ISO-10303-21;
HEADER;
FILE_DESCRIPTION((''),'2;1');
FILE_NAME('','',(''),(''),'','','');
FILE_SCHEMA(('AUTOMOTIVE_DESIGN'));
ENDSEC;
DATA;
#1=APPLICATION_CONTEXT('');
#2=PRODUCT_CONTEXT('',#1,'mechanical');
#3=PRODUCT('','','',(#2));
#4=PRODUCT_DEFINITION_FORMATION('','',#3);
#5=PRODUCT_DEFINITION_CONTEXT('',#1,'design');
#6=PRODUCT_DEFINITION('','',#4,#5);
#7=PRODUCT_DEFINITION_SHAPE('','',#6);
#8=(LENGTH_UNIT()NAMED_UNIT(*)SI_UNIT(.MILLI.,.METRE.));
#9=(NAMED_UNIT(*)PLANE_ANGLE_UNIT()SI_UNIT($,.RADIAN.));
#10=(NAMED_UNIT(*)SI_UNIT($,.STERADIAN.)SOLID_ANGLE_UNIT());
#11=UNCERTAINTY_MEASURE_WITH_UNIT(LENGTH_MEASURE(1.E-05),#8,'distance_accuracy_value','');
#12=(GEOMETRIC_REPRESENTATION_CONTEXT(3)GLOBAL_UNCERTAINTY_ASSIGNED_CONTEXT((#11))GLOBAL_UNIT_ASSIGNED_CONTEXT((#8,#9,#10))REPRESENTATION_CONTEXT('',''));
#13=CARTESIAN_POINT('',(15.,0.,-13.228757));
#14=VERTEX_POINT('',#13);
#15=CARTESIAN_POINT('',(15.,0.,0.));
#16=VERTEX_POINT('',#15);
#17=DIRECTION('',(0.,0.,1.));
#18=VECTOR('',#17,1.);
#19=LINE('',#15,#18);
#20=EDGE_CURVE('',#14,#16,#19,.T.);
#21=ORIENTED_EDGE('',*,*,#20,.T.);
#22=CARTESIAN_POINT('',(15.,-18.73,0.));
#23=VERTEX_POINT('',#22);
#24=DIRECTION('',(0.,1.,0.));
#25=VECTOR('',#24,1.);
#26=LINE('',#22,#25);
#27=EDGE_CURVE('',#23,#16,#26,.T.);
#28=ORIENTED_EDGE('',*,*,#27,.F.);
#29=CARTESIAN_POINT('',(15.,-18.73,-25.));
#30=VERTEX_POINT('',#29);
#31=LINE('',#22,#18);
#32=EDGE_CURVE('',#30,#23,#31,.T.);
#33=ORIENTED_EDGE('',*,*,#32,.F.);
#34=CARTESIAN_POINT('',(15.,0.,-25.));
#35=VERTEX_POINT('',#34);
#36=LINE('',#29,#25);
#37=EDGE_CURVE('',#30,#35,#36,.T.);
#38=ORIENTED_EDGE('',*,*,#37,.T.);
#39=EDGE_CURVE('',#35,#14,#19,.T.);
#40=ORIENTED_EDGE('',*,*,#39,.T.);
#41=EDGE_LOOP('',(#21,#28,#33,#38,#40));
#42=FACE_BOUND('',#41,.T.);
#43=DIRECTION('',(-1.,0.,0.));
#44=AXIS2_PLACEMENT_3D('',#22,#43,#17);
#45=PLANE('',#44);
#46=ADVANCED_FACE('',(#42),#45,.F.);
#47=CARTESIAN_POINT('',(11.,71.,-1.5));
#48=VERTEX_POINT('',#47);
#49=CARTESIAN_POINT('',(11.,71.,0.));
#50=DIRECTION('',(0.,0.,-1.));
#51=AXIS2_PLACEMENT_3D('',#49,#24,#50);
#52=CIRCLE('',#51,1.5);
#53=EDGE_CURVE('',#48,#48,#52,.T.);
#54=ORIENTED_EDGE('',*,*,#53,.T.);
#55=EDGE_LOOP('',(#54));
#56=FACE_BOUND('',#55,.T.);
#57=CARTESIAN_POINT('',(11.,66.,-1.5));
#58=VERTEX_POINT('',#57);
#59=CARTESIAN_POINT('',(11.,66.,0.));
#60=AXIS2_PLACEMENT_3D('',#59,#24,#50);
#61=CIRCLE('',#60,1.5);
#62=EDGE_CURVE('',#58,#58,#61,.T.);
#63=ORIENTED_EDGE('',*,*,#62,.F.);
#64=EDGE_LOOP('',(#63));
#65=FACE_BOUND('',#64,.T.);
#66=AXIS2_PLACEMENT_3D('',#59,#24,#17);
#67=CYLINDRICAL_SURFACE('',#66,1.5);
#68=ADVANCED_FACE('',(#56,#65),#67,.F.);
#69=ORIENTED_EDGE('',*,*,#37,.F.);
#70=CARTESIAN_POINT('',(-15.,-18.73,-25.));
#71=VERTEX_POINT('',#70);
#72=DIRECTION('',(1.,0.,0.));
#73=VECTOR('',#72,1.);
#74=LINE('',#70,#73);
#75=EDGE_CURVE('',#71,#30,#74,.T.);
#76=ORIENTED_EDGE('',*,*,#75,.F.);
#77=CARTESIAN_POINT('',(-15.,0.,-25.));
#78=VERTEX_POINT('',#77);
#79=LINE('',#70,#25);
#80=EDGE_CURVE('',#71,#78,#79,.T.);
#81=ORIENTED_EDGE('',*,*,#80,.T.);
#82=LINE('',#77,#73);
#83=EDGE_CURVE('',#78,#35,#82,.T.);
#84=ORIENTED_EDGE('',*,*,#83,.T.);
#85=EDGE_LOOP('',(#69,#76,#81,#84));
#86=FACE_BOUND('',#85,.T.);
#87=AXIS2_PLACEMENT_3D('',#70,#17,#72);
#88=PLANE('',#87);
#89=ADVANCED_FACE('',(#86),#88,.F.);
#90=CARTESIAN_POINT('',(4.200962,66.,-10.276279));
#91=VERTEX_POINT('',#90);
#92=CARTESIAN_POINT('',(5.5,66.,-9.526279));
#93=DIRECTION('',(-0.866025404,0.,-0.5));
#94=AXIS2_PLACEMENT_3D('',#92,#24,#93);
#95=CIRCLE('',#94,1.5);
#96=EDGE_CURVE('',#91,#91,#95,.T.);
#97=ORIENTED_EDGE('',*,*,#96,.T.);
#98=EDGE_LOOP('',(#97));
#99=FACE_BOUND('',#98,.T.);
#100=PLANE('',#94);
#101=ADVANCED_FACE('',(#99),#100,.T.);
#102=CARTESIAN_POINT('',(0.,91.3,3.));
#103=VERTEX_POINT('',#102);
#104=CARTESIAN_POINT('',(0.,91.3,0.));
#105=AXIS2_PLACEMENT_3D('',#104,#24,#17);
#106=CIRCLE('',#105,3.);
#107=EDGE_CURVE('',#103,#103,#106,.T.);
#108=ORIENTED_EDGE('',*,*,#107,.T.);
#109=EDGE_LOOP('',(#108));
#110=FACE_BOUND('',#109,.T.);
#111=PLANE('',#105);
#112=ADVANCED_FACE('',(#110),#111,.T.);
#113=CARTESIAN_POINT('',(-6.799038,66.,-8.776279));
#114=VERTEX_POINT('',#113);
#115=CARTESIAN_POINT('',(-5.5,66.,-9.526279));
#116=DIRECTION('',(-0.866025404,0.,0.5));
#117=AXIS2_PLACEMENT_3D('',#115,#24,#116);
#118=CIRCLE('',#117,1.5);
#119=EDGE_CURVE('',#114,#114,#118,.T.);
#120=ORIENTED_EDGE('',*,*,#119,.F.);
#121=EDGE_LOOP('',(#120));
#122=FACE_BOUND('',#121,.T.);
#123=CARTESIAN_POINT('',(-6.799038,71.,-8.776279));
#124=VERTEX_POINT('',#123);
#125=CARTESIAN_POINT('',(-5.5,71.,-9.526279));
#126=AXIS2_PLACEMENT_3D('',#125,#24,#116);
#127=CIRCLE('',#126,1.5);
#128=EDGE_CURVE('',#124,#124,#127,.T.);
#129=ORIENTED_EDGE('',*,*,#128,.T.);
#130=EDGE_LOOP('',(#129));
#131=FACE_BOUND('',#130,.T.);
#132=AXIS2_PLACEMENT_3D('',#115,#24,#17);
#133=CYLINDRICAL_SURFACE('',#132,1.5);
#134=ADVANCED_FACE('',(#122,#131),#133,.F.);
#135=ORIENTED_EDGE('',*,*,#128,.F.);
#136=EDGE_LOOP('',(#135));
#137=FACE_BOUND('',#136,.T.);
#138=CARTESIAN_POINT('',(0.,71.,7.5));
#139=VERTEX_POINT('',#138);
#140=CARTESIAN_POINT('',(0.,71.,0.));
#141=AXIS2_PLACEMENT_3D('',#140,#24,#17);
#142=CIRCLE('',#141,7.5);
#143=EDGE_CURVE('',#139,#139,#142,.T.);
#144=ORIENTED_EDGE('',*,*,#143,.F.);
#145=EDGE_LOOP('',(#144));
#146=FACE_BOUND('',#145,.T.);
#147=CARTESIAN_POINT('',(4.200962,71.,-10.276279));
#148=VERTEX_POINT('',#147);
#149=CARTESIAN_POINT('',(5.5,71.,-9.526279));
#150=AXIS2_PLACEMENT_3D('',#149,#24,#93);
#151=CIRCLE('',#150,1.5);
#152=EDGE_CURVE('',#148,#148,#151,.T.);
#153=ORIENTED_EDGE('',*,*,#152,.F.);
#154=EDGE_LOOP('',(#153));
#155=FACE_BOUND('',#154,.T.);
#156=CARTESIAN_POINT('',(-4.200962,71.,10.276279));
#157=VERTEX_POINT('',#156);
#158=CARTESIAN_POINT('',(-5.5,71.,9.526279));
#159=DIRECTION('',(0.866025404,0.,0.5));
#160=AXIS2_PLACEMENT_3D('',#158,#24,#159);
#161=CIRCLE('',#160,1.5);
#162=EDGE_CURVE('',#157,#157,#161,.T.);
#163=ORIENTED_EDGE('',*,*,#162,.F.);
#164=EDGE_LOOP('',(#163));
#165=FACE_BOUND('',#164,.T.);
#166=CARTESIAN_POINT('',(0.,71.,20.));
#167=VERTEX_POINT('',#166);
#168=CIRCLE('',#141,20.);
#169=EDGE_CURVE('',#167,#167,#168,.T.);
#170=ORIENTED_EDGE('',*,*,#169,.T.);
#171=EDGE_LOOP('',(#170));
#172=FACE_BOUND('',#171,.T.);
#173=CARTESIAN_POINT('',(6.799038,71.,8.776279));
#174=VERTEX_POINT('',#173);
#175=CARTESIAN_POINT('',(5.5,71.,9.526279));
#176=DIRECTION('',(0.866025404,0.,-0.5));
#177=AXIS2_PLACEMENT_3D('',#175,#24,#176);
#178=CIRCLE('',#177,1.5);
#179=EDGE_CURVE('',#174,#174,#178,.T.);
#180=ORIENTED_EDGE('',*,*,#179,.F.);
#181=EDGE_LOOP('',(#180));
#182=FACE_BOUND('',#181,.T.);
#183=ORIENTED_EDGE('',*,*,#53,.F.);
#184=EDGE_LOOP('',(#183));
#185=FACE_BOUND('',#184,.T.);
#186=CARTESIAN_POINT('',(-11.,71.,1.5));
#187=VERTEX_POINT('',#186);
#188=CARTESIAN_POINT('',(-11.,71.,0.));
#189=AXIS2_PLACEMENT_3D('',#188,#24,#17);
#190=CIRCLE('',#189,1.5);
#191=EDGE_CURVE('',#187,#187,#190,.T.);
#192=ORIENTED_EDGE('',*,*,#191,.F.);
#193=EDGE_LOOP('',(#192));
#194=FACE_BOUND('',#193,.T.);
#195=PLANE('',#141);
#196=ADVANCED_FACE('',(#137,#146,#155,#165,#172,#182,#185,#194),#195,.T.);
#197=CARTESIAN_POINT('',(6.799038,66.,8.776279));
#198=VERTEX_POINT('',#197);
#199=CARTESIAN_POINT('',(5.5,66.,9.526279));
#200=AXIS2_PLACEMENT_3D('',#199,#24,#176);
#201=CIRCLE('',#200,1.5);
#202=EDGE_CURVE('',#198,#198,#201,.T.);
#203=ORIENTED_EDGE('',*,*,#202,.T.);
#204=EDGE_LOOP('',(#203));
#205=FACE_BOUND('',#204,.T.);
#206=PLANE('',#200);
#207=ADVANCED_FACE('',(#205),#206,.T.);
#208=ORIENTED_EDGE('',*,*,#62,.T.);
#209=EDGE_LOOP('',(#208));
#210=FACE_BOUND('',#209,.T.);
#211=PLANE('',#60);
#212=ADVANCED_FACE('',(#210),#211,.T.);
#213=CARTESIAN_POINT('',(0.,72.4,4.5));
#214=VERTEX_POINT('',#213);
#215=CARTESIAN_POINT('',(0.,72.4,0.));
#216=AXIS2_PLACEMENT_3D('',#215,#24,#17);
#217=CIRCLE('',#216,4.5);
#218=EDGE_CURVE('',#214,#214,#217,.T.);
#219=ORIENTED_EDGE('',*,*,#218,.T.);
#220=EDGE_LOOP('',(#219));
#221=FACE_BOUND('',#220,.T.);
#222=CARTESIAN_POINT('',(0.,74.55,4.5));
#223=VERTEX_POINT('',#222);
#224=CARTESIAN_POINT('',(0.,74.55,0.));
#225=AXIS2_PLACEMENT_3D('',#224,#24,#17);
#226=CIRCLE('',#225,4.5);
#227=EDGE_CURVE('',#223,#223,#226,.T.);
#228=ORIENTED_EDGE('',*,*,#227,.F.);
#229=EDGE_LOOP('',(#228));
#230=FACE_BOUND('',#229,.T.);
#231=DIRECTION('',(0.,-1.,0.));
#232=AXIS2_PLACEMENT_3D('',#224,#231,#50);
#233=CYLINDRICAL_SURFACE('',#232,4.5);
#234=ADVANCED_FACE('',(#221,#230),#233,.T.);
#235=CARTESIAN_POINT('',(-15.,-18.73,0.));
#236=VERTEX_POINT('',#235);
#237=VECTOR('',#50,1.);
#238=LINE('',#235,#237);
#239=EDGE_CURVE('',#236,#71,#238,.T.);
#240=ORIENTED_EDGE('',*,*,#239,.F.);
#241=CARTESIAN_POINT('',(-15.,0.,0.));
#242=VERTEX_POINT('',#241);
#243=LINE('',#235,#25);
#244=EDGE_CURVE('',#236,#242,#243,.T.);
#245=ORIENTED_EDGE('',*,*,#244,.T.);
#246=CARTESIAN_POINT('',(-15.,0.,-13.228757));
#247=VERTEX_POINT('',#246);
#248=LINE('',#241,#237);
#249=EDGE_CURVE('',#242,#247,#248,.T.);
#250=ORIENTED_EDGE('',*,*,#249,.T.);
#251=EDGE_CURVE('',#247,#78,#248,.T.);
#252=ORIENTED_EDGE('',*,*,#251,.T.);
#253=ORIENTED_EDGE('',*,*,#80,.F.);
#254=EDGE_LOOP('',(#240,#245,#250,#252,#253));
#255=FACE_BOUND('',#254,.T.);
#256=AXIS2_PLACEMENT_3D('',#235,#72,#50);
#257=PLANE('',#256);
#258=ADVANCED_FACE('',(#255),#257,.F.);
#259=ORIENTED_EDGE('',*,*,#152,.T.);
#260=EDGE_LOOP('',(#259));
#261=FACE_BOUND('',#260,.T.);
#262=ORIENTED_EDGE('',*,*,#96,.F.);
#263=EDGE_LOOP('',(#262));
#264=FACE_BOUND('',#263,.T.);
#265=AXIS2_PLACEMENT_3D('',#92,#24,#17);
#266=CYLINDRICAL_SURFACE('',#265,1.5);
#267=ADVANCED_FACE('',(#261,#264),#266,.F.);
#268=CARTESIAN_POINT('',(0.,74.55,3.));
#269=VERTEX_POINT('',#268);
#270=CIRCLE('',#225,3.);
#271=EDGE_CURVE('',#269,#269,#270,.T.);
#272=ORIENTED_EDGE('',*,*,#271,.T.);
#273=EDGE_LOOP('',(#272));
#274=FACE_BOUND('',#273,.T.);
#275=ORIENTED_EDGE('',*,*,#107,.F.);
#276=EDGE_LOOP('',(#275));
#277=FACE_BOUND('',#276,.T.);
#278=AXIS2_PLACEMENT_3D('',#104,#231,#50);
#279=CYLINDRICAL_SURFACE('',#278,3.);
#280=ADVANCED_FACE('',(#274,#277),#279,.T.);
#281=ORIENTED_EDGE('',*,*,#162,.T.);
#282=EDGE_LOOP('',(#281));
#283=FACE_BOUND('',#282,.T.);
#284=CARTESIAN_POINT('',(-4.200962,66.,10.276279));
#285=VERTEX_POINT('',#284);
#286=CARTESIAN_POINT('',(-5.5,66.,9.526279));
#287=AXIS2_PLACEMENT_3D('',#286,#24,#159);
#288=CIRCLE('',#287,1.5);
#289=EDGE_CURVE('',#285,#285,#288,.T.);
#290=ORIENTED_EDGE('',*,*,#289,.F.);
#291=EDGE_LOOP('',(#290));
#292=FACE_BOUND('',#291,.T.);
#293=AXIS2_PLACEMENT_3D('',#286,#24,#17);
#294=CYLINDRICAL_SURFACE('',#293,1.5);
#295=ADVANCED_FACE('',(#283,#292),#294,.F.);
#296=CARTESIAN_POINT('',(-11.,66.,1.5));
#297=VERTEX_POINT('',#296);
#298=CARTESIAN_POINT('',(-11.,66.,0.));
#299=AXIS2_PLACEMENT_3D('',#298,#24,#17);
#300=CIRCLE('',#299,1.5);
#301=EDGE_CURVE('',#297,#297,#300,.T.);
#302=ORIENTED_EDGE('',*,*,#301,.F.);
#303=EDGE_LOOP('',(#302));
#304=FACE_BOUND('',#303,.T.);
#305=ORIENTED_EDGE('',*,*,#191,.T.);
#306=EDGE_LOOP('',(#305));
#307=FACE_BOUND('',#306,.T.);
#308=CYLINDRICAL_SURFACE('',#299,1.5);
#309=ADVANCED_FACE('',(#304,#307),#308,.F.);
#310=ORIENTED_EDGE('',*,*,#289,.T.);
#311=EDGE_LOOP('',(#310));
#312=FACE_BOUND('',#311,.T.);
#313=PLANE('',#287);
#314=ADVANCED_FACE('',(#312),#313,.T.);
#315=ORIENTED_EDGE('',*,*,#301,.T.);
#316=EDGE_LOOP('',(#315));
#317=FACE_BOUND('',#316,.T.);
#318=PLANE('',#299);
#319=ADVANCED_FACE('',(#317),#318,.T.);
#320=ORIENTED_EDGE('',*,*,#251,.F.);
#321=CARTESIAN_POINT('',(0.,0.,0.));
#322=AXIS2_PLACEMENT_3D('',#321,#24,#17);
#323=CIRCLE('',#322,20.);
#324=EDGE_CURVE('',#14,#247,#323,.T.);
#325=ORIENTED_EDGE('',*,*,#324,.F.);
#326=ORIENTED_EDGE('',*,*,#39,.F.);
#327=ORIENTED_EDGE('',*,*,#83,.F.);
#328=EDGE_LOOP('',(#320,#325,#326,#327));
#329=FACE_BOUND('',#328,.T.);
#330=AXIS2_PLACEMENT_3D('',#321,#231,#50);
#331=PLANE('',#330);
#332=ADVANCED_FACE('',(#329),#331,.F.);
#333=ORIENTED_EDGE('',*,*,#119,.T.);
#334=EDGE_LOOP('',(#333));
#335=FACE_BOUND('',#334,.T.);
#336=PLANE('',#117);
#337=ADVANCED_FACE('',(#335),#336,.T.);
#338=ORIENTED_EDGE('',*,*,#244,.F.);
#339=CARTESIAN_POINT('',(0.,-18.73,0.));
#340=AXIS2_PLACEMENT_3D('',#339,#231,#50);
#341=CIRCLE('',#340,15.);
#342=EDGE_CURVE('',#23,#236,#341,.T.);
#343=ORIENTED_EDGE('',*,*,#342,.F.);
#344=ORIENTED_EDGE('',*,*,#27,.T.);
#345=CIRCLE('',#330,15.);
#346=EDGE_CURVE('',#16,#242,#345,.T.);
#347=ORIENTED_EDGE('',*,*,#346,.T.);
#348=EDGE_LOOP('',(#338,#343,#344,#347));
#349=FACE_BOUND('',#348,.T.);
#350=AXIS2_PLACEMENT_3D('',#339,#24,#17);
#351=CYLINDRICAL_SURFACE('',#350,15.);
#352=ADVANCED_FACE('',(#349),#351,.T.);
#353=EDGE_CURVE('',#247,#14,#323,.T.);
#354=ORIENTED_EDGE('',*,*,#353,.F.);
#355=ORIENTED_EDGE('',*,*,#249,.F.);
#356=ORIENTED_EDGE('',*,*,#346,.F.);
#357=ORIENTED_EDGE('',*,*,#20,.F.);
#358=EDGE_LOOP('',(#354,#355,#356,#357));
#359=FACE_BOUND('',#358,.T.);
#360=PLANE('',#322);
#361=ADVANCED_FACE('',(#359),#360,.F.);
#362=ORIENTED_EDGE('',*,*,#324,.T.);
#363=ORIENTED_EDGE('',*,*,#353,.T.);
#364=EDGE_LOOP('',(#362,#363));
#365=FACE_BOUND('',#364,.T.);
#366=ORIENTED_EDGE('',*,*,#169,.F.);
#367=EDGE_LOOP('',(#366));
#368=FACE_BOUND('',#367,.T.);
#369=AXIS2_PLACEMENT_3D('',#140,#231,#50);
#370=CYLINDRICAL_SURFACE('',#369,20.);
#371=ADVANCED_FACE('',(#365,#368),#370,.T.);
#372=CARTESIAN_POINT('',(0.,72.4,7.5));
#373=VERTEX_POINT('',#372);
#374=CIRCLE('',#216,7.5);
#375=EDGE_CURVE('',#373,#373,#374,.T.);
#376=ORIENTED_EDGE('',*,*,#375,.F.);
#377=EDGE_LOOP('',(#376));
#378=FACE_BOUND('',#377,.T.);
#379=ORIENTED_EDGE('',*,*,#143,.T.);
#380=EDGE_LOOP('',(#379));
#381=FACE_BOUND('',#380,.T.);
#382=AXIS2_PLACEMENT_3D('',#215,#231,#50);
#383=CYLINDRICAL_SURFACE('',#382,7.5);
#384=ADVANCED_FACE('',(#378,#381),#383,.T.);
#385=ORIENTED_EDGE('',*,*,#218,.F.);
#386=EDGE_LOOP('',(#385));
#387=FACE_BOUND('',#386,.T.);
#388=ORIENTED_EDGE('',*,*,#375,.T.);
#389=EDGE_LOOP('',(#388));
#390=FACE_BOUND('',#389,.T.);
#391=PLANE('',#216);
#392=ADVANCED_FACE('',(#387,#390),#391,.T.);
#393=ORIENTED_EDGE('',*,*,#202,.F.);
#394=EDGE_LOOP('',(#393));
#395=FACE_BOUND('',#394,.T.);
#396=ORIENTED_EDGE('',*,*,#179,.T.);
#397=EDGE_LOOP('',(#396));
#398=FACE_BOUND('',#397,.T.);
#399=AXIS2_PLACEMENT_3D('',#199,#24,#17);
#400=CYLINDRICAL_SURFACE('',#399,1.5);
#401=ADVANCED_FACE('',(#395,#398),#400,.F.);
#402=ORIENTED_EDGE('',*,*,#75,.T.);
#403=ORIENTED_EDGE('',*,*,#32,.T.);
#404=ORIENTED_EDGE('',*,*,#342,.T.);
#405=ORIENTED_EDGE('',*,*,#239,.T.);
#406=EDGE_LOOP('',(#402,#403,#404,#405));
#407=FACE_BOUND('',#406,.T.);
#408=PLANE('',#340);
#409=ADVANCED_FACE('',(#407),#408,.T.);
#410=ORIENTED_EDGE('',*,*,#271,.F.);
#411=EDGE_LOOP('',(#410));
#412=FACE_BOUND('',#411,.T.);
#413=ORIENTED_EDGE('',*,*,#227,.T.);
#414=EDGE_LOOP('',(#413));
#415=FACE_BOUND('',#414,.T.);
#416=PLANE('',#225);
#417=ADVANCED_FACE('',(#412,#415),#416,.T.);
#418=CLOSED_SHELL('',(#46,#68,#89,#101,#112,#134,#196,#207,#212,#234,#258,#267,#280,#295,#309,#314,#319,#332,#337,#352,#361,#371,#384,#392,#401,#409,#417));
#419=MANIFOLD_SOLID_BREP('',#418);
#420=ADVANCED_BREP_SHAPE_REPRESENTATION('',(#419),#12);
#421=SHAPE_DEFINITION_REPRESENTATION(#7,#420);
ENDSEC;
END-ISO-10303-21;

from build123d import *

# Parameters (mm, degrees)
SKETCH1_R           = 20
BOSS_EXTRUDE1_DEPTH = 71
SKETCH2_R           = 7.5
BOSS_EXTRUDE2_DEPTH = 1.4
SKETCH3_R           = 4.5
BOSS_EXTRUDE3_DEPTH = 2.15
SKETCH4_R           = 3
BOSS_EXTRUDE4_DEPTH = 16.75
SKETCH5_R           = 1.5
CUT_EXTRUDE1_DEPTH  = 5
CIRPATTERN1_COUNT   = 6
BOSS_EXTRUDE5_DEPTH = 18.73


with BuildPart() as part:
    # Sketch1 → Boss-Extrude1 (new body)
    with BuildSketch(Plane(origin=(0, 0, 0), x_dir=(1, 0, 0), z_dir=(0, 1, 0))):
        Circle(SKETCH1_R)
    extrude(amount=BOSS_EXTRUDE1_DEPTH)

    # Sketch2 → Boss-Extrude2 (add)
    with BuildSketch(Plane(origin=(0, 71, 0), x_dir=(1, 0, 0), z_dir=(0, 1, 0))):
        Circle(SKETCH2_R)
    extrude(amount=BOSS_EXTRUDE2_DEPTH)

    # Sketch3 → Boss-Extrude3 (add)
    with BuildSketch(Plane(origin=(0, 72.4, 0), x_dir=(1, 0, 0), z_dir=(0, 1, 0))):
        Circle(SKETCH3_R)
    extrude(amount=BOSS_EXTRUDE3_DEPTH)

    # Sketch4 → Boss-Extrude4 (add)
    with BuildSketch(Plane(origin=(0, 74.55, 0), x_dir=(1, 0, 0), z_dir=(0, 1, 0))):
        Circle(SKETCH4_R)
    extrude(amount=BOSS_EXTRUDE4_DEPTH)

    # Sketch5 → Cut-Extrude1 (cut)
    with BuildSketch(Plane(origin=(0, 71, 0), x_dir=(1, 0, 0), z_dir=(0, 1, 0))):
        with Locations((-11, 0)):
            Circle(SKETCH5_R)
    cut_extrude1 = extrude(amount=-CUT_EXTRUDE1_DEPTH, mode=Mode.SUBTRACT)

    # CirPattern1: Cut-Extrude1 ×6 about axis
    cirpattern1_axis = Axis((0, 0, 0), (0, 1, 0))
    for i in range(1, CIRPATTERN1_COUNT):
        add(cut_extrude1.rotate(cirpattern1_axis, i * 360 / CIRPATTERN1_COUNT), mode=Mode.SUBTRACT)

    # Sketch6 → Boss-Extrude5 (add)
    with BuildSketch(Plane(origin=(0, 0, 0), x_dir=(-1, 0, 0), z_dir=(0, -1, 0))):
        with BuildLine():
            Line((15, 0), (15, 25))
            Line((15, 25), (-15, 25))
            Line((-15, 25), (-15, 0))
            ThreePointArc((-15, 0), (0, -15), (15, 0))
        make_face()
    extrude(amount=BOSS_EXTRUDE5_DEPTH)


solid = part.part
